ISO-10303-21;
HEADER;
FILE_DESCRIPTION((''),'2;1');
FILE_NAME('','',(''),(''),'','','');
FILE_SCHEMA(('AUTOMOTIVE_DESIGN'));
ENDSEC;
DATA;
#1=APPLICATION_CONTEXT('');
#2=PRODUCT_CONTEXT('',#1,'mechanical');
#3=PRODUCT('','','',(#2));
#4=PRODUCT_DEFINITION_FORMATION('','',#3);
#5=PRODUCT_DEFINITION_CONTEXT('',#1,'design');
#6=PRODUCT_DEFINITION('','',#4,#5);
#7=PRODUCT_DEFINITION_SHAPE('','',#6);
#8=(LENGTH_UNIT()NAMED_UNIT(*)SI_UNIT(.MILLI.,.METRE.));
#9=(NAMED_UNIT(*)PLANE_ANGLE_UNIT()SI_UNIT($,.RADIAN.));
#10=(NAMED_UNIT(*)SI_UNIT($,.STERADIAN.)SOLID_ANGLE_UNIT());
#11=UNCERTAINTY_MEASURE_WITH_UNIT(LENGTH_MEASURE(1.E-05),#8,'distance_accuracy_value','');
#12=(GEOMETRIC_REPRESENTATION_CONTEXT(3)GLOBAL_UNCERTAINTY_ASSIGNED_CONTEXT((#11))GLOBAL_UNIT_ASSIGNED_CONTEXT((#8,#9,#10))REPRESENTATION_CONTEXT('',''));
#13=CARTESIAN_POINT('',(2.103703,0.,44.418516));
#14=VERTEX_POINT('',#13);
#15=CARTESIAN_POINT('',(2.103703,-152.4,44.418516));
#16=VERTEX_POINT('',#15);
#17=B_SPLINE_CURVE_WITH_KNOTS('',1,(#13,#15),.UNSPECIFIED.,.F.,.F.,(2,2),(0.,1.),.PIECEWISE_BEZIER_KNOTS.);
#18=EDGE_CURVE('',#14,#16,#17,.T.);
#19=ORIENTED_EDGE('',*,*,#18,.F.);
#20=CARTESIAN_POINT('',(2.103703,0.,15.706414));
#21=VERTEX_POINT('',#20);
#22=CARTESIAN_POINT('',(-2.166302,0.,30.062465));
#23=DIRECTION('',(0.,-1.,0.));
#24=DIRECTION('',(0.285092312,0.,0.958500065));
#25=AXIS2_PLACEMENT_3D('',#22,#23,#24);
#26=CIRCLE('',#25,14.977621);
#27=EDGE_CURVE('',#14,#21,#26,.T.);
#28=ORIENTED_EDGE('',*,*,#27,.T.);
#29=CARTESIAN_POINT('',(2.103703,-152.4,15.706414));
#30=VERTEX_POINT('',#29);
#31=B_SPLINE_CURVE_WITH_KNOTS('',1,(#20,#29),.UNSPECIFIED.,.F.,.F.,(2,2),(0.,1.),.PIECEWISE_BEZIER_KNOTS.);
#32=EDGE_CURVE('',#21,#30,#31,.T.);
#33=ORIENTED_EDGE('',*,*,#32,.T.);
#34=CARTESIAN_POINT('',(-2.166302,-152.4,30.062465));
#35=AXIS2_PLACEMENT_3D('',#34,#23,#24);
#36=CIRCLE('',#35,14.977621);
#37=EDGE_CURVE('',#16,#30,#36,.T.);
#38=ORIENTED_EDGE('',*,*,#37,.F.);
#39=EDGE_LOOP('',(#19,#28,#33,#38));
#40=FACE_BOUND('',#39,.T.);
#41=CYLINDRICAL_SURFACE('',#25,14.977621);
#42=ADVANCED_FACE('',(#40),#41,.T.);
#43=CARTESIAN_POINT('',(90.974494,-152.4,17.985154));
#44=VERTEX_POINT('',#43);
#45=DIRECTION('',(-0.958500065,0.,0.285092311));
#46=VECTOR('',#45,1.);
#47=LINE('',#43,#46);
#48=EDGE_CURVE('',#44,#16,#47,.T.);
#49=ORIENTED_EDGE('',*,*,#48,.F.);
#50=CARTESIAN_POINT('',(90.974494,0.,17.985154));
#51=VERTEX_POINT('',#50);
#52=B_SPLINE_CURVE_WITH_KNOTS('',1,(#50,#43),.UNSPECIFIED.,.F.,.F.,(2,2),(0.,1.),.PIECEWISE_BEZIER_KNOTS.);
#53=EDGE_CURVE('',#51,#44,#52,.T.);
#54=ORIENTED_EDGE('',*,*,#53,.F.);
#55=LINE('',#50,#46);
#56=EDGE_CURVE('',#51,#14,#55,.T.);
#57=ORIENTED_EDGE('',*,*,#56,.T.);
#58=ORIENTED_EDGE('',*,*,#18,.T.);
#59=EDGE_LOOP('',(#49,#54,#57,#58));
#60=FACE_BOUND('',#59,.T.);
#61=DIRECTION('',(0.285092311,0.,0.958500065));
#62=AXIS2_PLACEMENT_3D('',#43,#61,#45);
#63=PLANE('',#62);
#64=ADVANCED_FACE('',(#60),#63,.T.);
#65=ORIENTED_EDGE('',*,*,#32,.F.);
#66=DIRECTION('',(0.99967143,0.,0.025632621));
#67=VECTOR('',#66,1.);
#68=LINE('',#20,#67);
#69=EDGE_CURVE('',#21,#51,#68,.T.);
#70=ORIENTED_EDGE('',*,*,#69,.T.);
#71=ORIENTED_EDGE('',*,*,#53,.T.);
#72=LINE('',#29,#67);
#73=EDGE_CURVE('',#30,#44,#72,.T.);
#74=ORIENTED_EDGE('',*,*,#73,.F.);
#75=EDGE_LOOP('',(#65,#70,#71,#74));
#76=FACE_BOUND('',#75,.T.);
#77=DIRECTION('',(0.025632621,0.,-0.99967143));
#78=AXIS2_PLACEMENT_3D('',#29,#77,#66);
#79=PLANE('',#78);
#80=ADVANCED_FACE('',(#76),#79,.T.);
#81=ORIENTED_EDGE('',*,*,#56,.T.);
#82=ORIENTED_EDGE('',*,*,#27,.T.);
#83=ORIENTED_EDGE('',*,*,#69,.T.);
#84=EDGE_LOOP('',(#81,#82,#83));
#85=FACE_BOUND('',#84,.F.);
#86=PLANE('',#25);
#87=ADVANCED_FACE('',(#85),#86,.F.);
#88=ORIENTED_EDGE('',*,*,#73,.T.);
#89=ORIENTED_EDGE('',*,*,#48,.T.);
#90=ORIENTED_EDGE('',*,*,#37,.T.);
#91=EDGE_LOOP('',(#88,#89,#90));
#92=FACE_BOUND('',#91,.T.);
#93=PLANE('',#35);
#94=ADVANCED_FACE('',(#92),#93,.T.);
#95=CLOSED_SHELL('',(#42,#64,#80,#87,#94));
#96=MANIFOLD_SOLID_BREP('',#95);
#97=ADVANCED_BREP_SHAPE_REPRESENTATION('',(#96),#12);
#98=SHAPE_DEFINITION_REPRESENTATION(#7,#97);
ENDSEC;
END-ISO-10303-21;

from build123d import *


with BuildPart() as f3:
    # F0 (on Front) → F3 section 0
    with BuildSketch(Plane.XZ):
        with BuildLine():
            Line((90.974494, 17.985154), (2.103703, 44.418516))
            ThreePointArc((2.103703, 44.418516), (-17.143923, 30.062465), (2.103703, 15.706414))
            Line((2.103703, 15.706414), (90.974494, 17.985154))
        make_face()
    # F2 (on offset) → F3 section 1
    with BuildSketch(Plane.XZ.offset(152.4)):
        with BuildLine():
            Line((2.103703, 15.706414), (90.974494, 17.985154))
            Line((90.974494, 17.985154), (2.103703, 44.418516))
            ThreePointArc((2.103703, 44.418516), (-17.143923, 30.062465), (2.103703, 15.706414))
        make_face()
    loft()


solid = f3.part
